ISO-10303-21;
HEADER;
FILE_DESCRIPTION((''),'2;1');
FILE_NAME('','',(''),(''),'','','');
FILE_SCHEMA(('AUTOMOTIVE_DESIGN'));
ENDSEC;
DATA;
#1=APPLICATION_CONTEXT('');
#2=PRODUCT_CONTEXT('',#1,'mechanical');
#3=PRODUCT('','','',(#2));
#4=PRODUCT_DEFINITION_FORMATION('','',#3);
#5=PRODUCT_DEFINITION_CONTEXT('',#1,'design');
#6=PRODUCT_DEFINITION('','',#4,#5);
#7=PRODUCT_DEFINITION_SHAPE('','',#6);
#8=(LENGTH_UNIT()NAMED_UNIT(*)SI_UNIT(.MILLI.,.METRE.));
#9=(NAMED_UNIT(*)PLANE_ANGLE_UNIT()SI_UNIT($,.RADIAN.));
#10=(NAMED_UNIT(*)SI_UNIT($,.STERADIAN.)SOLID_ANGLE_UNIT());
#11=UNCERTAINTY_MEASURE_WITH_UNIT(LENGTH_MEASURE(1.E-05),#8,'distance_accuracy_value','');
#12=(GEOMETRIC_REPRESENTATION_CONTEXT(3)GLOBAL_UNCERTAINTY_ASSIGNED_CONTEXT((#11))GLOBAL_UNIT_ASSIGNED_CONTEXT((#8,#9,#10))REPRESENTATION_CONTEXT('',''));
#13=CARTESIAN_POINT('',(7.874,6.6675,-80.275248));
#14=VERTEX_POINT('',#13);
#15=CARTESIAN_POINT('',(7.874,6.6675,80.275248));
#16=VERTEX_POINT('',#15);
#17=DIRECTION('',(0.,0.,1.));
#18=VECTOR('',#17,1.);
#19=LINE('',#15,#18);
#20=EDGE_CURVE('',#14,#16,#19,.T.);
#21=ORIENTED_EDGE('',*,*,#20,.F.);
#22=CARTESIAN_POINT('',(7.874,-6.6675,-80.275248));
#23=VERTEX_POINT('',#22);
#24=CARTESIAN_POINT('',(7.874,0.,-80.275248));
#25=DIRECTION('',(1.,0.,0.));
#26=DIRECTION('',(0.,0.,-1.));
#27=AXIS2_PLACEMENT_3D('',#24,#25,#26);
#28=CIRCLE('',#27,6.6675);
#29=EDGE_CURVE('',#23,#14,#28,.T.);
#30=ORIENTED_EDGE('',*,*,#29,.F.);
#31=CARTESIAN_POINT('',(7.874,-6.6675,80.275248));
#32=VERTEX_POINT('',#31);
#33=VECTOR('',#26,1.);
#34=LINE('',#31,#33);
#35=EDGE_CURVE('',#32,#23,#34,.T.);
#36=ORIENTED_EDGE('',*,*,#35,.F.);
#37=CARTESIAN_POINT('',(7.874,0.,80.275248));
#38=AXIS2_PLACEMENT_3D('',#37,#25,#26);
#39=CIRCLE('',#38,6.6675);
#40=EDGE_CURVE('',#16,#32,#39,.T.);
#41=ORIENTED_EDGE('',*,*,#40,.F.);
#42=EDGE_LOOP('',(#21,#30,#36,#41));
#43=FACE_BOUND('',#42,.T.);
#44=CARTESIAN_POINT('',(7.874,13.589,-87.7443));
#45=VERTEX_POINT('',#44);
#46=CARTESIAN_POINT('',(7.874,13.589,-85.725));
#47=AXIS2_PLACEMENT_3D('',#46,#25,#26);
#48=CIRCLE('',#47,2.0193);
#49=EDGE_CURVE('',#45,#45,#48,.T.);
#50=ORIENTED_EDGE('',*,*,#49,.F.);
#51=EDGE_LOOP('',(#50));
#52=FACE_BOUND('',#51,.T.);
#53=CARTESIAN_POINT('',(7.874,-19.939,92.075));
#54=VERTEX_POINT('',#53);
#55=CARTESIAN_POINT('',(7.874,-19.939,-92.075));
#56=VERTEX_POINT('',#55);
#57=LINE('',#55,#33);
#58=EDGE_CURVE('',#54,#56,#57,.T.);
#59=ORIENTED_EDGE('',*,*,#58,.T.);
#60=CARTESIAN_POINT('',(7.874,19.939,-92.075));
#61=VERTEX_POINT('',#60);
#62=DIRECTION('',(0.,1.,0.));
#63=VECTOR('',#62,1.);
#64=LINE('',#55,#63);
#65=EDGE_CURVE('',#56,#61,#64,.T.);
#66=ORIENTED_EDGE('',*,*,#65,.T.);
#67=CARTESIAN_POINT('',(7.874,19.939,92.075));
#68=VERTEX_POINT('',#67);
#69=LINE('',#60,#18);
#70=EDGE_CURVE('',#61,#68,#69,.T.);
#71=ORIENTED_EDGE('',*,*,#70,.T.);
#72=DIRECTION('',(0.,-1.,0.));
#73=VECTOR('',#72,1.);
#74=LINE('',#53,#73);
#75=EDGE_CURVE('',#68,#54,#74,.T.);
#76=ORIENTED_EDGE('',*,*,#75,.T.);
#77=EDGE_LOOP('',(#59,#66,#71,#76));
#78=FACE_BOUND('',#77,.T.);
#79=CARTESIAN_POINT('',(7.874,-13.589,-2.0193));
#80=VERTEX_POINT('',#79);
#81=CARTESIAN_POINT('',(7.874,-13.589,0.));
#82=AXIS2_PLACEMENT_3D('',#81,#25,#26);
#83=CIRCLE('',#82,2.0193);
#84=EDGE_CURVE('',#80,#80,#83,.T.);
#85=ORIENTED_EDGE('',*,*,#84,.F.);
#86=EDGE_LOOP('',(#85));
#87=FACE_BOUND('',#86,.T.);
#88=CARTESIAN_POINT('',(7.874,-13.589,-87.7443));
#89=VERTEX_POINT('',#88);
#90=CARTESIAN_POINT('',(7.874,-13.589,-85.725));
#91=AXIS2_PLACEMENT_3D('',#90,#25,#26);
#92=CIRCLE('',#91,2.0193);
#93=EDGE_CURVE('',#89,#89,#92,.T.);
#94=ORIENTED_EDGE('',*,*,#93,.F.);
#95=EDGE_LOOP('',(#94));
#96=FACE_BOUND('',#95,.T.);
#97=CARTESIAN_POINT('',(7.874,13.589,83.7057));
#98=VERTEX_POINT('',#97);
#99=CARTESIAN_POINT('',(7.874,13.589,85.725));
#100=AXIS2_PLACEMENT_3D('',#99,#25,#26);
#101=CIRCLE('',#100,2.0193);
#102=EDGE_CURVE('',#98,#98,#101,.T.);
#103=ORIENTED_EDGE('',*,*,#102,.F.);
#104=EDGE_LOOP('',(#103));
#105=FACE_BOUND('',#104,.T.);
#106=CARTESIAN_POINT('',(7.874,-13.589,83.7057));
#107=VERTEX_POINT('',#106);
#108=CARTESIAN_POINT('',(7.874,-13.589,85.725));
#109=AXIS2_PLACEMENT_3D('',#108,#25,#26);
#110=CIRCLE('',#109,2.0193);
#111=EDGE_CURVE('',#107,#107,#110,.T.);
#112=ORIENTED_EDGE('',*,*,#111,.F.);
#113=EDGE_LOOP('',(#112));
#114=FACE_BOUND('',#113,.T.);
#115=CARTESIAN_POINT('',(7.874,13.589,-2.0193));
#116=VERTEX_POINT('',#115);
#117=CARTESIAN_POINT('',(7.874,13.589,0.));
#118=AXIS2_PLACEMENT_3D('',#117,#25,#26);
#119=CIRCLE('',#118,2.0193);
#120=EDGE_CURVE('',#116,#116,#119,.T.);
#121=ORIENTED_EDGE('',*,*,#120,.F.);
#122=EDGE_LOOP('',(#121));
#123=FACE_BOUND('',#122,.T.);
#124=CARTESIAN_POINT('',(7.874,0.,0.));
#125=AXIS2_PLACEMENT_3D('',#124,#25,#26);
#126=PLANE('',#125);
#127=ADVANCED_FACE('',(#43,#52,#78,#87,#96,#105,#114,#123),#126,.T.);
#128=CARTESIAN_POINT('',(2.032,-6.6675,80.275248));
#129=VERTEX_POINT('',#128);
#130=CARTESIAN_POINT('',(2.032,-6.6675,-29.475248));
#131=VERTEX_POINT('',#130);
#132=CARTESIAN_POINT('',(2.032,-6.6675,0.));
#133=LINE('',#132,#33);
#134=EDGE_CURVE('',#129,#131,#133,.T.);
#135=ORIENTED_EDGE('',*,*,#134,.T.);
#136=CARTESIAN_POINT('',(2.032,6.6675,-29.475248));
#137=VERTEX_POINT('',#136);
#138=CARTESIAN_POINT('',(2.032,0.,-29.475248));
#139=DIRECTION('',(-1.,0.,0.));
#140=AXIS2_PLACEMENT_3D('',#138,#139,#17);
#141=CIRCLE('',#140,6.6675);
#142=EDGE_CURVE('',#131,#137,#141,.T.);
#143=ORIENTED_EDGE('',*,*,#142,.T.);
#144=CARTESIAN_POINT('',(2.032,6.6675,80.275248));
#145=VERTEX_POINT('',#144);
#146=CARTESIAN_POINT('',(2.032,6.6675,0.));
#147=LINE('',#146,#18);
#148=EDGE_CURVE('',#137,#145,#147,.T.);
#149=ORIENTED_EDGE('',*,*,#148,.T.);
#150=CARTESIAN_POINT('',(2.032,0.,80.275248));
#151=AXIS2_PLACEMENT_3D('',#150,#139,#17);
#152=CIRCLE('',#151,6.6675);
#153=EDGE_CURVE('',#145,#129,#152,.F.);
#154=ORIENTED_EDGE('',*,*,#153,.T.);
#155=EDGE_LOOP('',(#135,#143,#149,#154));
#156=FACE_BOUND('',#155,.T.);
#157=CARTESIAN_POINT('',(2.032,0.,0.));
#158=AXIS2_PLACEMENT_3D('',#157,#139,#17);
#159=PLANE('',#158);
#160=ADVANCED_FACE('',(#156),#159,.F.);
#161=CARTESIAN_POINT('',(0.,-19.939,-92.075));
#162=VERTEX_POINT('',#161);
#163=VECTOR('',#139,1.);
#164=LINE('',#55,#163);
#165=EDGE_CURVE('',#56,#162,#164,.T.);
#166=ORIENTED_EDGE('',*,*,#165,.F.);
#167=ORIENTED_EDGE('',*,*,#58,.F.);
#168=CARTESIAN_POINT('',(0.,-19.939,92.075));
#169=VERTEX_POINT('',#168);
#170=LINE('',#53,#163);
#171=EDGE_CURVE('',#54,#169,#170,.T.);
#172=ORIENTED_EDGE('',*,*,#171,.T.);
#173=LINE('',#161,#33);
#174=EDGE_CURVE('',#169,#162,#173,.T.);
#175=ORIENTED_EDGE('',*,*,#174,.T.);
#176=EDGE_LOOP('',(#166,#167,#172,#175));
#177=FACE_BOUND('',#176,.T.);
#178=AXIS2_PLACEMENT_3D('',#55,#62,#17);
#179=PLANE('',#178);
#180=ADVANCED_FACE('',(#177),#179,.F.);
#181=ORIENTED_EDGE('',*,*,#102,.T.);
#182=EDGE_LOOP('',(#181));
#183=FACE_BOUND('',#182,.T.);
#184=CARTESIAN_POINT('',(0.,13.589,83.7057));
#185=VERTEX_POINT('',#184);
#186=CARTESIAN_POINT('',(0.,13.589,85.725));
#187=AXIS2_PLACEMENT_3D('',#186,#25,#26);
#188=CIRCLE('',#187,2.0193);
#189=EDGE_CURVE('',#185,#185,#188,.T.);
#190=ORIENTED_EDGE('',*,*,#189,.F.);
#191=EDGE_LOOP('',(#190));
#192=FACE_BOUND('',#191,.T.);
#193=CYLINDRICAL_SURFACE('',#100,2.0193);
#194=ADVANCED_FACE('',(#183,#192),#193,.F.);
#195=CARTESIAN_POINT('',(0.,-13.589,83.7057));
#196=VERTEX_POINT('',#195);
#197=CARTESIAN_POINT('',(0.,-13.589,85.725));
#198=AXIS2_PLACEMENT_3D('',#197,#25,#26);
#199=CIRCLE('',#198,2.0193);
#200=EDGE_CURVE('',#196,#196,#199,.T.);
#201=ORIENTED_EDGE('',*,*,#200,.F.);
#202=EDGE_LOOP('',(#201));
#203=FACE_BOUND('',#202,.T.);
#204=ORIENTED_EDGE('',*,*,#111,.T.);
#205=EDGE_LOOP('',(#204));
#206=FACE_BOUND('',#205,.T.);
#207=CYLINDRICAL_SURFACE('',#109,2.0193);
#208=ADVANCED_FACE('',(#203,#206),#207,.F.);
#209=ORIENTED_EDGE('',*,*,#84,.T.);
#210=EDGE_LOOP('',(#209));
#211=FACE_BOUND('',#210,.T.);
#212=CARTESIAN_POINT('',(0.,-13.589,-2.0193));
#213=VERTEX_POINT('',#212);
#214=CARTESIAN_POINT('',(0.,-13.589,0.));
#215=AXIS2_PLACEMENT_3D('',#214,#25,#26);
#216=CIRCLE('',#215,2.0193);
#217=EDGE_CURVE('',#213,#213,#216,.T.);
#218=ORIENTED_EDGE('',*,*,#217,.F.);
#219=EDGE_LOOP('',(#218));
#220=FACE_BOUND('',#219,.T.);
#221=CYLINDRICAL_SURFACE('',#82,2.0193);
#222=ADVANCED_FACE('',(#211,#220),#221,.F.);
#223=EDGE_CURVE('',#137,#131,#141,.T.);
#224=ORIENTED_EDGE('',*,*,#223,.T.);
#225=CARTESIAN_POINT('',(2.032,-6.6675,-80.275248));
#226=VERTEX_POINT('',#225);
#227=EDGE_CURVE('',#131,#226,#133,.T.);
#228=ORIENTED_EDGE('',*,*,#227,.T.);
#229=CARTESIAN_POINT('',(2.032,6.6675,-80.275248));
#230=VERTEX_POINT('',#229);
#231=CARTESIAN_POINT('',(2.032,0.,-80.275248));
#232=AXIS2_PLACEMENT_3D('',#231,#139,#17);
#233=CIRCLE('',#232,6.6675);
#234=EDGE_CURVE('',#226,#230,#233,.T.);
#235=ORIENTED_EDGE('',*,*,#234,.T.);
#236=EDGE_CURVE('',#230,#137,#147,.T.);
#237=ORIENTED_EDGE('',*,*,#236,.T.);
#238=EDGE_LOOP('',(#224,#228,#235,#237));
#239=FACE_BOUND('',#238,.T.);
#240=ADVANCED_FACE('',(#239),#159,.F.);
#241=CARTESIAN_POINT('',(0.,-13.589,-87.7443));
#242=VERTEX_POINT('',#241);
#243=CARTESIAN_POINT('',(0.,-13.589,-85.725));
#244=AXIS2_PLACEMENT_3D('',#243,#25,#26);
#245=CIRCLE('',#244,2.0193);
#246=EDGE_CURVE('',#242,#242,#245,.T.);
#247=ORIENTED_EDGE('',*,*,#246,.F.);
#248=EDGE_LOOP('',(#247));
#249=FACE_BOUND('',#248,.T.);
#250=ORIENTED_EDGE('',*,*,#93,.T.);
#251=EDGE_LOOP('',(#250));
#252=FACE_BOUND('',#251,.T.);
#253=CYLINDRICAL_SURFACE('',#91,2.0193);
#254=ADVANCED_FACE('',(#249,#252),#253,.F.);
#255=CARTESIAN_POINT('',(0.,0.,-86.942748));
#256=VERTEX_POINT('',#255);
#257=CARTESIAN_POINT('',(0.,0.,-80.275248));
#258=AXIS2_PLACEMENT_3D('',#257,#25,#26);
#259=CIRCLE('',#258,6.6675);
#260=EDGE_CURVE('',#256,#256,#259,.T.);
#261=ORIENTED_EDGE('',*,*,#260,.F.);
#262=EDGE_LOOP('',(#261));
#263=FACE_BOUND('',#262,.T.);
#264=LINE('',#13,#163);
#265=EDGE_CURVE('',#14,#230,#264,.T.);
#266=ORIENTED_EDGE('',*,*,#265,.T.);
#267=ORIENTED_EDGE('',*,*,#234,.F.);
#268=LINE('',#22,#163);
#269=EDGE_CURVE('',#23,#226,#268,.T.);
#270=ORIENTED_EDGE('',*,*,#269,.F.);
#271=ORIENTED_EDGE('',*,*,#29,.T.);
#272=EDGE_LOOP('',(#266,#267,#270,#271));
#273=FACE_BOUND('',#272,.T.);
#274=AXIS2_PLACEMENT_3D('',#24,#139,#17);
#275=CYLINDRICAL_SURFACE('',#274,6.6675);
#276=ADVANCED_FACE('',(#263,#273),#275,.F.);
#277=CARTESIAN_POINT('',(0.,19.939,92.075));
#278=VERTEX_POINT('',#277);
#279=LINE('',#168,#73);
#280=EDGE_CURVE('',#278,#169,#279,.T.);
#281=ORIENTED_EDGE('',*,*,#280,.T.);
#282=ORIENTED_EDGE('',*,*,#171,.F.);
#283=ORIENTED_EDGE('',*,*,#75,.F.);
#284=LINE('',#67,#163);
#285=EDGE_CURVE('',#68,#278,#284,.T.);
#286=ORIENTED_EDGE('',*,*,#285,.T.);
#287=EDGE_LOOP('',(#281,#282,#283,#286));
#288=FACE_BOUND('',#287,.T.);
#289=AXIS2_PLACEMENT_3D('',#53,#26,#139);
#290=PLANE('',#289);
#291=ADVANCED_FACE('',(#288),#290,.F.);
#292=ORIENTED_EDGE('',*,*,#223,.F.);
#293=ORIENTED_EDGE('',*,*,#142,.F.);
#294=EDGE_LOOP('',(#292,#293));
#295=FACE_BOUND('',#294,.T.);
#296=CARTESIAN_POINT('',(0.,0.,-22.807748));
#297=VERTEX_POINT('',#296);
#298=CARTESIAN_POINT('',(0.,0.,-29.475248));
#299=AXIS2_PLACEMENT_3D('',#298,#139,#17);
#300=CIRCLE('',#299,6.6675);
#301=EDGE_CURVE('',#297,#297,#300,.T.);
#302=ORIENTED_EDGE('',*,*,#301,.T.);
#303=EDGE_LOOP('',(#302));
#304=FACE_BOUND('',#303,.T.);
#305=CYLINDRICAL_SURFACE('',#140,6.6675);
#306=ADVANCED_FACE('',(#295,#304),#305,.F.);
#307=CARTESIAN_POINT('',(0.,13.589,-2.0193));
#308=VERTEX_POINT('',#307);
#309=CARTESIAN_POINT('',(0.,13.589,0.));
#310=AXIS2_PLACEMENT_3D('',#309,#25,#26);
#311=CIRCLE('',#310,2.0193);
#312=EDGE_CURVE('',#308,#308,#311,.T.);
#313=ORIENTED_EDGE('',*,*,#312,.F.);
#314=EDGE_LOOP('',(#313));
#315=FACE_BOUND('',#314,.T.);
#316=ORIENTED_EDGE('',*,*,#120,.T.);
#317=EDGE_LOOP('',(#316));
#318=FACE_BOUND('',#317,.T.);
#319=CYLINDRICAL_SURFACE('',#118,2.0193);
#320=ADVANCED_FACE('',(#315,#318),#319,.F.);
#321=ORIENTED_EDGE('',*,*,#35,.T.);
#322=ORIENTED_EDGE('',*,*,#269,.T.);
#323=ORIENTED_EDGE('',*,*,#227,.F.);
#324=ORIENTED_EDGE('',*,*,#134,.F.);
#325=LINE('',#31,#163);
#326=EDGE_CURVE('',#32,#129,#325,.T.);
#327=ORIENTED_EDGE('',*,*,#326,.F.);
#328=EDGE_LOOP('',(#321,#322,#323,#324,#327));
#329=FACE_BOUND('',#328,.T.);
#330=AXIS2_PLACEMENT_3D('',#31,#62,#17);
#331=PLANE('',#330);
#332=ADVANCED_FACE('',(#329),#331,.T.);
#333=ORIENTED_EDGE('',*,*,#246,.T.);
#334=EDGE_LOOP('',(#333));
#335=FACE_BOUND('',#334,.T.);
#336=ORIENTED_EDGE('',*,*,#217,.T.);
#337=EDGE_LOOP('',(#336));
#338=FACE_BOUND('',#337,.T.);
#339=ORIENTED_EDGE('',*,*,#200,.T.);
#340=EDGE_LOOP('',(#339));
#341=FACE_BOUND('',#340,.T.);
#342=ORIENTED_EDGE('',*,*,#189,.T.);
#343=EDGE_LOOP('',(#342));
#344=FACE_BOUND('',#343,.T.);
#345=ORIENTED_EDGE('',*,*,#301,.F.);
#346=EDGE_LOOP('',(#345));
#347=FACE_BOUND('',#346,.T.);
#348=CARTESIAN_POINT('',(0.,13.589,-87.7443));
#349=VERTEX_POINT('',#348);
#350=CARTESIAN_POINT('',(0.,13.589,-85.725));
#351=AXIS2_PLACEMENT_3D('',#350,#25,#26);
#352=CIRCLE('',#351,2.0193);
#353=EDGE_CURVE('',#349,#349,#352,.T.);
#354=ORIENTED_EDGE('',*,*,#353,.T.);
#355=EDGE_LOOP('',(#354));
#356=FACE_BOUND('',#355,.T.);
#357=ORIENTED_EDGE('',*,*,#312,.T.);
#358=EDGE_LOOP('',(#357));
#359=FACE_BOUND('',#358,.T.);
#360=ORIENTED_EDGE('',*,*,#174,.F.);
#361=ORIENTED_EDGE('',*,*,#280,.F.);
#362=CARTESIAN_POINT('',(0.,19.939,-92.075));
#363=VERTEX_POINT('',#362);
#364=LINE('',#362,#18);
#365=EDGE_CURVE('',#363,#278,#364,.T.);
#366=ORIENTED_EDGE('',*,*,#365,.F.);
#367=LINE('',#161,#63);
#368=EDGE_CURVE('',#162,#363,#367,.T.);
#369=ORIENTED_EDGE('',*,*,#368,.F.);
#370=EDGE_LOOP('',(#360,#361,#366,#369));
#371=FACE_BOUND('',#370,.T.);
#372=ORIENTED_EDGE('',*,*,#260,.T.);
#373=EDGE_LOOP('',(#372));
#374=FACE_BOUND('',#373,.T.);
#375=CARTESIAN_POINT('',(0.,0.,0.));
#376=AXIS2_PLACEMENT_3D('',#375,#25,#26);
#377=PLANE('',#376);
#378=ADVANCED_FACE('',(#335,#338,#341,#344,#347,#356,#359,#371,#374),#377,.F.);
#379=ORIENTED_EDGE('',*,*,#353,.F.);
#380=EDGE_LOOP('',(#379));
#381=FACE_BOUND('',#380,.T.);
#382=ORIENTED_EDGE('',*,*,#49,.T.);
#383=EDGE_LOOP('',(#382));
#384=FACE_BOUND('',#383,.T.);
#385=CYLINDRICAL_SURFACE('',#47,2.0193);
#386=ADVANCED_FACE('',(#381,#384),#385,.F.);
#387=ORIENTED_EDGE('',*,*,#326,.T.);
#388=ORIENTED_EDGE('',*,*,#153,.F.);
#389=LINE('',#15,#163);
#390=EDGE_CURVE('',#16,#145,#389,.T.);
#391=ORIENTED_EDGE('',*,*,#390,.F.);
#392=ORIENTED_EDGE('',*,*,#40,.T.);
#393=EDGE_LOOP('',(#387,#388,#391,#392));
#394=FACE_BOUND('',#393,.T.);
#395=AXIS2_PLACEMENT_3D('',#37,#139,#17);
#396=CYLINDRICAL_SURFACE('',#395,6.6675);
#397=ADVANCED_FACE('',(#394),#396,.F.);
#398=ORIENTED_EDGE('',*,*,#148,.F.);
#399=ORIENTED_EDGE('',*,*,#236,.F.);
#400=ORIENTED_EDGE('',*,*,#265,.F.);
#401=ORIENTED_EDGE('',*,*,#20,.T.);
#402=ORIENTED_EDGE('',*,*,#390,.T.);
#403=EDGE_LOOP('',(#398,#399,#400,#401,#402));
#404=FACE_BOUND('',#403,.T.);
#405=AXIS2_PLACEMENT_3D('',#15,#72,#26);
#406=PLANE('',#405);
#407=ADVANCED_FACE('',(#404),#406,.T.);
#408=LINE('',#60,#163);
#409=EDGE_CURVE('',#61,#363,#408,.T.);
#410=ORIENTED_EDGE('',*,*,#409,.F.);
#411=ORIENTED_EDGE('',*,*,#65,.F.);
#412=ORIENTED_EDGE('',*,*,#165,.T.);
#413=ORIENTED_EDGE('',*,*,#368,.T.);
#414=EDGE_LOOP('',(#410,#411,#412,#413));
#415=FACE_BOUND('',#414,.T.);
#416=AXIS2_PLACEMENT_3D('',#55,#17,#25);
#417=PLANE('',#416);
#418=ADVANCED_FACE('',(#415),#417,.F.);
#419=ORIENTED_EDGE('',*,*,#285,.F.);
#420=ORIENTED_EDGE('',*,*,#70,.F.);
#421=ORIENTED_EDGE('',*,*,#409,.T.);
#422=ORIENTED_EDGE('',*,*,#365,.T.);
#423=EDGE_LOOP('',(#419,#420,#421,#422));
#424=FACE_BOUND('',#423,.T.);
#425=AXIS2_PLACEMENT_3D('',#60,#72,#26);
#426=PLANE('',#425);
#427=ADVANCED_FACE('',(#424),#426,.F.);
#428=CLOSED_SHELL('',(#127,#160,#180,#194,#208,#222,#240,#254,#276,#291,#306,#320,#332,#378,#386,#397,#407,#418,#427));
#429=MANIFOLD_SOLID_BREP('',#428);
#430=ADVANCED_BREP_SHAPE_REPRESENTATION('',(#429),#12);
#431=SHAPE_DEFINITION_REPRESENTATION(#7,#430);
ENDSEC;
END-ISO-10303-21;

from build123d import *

# Parameters (mm, degrees)
SKETCH1_W              = 184.15
SKETCH1_H              = 39.878
BOSS_EXTRUDE1_DEPTH    = 7.874
F_10_32_TAPPED_HOLE1_D = 4.0386
BOSS_EXTRUDE2_DEPTH    = 2.032


with BuildPart() as part:
    # Sketch1 → Boss-Extrude1 (new body)
    with BuildSketch(Plane(origin=(0, 0, 0), x_dir=(0, 0, -1), z_dir=(1, 0, 0))):
        Rectangle(SKETCH1_W, SKETCH1_H)
        with BuildLine():
            Line((-80.27524839, 6.6675), (80.27524839, 6.6675))
            ThreePointArc((80.27524839, 6.6675), (86.94274839, 0), (80.27524839, -6.6675))
            Line((80.27524839, -6.6675), (-80.27524839, -6.6675))
            ThreePointArc((-80.27524839, -6.6675), (-86.94274839, 0), (-80.27524839, 6.6675))
        make_face(mode=Mode.SUBTRACT)
    extrude(amount=BOSS_EXTRUDE1_DEPTH)

    # #10-32 Tapped Hole1 (through all)
    with Locations(Plane(origin=(7.874, 0, 0), x_dir=(0, 0, -1), z_dir=(1, 0, 0))):
        with Locations((-85.725, 13.589), (-85.725, -13.589), (0, -13.589), (85.725, -13.589), (85.725, 13.589), (0, 13.589)):
            Hole(F_10_32_TAPPED_HOLE1_D / 2)

    # Sketch5 → Boss-Extrude2 (add)
    with BuildSketch(Plane.ZY):
        with BuildLine():
            ThreePointArc((-80.27524839, 6.6675), (-73.60774839, 0), (-80.27524839, -6.6675))
            Line((-80.27524839, -6.6675), (-29.47524839, -6.6675))
            ThreePointArc((-29.47524839, -6.6675), (-36.14274839, -3e-09), (-29.475248395, 6.6675))
            Line((-29.475248395, 6.6675), (-80.27524839, 6.6675))
        make_face()
        with BuildLine():
            ThreePointArc((-22.80774839, 0), (-24.760613926, -4.714634464), (-29.47524839, -6.6675))
            Line((-29.47524839, -6.6675), (80.27524839, -6.6675))
            ThreePointArc((80.27524839, -6.6675), (86.94274839, 0), (80.27524839, 6.6675))
            Line((80.27524839, 6.6675), (-29.475248395, 6.6675))
            ThreePointArc((-29.475248395, 6.6675), (-24.760613928, 4.714634465), (-22.80774839, 0))
        make_face()
    extrude(amount=-BOSS_EXTRUDE2_DEPTH)


solid = part.part
